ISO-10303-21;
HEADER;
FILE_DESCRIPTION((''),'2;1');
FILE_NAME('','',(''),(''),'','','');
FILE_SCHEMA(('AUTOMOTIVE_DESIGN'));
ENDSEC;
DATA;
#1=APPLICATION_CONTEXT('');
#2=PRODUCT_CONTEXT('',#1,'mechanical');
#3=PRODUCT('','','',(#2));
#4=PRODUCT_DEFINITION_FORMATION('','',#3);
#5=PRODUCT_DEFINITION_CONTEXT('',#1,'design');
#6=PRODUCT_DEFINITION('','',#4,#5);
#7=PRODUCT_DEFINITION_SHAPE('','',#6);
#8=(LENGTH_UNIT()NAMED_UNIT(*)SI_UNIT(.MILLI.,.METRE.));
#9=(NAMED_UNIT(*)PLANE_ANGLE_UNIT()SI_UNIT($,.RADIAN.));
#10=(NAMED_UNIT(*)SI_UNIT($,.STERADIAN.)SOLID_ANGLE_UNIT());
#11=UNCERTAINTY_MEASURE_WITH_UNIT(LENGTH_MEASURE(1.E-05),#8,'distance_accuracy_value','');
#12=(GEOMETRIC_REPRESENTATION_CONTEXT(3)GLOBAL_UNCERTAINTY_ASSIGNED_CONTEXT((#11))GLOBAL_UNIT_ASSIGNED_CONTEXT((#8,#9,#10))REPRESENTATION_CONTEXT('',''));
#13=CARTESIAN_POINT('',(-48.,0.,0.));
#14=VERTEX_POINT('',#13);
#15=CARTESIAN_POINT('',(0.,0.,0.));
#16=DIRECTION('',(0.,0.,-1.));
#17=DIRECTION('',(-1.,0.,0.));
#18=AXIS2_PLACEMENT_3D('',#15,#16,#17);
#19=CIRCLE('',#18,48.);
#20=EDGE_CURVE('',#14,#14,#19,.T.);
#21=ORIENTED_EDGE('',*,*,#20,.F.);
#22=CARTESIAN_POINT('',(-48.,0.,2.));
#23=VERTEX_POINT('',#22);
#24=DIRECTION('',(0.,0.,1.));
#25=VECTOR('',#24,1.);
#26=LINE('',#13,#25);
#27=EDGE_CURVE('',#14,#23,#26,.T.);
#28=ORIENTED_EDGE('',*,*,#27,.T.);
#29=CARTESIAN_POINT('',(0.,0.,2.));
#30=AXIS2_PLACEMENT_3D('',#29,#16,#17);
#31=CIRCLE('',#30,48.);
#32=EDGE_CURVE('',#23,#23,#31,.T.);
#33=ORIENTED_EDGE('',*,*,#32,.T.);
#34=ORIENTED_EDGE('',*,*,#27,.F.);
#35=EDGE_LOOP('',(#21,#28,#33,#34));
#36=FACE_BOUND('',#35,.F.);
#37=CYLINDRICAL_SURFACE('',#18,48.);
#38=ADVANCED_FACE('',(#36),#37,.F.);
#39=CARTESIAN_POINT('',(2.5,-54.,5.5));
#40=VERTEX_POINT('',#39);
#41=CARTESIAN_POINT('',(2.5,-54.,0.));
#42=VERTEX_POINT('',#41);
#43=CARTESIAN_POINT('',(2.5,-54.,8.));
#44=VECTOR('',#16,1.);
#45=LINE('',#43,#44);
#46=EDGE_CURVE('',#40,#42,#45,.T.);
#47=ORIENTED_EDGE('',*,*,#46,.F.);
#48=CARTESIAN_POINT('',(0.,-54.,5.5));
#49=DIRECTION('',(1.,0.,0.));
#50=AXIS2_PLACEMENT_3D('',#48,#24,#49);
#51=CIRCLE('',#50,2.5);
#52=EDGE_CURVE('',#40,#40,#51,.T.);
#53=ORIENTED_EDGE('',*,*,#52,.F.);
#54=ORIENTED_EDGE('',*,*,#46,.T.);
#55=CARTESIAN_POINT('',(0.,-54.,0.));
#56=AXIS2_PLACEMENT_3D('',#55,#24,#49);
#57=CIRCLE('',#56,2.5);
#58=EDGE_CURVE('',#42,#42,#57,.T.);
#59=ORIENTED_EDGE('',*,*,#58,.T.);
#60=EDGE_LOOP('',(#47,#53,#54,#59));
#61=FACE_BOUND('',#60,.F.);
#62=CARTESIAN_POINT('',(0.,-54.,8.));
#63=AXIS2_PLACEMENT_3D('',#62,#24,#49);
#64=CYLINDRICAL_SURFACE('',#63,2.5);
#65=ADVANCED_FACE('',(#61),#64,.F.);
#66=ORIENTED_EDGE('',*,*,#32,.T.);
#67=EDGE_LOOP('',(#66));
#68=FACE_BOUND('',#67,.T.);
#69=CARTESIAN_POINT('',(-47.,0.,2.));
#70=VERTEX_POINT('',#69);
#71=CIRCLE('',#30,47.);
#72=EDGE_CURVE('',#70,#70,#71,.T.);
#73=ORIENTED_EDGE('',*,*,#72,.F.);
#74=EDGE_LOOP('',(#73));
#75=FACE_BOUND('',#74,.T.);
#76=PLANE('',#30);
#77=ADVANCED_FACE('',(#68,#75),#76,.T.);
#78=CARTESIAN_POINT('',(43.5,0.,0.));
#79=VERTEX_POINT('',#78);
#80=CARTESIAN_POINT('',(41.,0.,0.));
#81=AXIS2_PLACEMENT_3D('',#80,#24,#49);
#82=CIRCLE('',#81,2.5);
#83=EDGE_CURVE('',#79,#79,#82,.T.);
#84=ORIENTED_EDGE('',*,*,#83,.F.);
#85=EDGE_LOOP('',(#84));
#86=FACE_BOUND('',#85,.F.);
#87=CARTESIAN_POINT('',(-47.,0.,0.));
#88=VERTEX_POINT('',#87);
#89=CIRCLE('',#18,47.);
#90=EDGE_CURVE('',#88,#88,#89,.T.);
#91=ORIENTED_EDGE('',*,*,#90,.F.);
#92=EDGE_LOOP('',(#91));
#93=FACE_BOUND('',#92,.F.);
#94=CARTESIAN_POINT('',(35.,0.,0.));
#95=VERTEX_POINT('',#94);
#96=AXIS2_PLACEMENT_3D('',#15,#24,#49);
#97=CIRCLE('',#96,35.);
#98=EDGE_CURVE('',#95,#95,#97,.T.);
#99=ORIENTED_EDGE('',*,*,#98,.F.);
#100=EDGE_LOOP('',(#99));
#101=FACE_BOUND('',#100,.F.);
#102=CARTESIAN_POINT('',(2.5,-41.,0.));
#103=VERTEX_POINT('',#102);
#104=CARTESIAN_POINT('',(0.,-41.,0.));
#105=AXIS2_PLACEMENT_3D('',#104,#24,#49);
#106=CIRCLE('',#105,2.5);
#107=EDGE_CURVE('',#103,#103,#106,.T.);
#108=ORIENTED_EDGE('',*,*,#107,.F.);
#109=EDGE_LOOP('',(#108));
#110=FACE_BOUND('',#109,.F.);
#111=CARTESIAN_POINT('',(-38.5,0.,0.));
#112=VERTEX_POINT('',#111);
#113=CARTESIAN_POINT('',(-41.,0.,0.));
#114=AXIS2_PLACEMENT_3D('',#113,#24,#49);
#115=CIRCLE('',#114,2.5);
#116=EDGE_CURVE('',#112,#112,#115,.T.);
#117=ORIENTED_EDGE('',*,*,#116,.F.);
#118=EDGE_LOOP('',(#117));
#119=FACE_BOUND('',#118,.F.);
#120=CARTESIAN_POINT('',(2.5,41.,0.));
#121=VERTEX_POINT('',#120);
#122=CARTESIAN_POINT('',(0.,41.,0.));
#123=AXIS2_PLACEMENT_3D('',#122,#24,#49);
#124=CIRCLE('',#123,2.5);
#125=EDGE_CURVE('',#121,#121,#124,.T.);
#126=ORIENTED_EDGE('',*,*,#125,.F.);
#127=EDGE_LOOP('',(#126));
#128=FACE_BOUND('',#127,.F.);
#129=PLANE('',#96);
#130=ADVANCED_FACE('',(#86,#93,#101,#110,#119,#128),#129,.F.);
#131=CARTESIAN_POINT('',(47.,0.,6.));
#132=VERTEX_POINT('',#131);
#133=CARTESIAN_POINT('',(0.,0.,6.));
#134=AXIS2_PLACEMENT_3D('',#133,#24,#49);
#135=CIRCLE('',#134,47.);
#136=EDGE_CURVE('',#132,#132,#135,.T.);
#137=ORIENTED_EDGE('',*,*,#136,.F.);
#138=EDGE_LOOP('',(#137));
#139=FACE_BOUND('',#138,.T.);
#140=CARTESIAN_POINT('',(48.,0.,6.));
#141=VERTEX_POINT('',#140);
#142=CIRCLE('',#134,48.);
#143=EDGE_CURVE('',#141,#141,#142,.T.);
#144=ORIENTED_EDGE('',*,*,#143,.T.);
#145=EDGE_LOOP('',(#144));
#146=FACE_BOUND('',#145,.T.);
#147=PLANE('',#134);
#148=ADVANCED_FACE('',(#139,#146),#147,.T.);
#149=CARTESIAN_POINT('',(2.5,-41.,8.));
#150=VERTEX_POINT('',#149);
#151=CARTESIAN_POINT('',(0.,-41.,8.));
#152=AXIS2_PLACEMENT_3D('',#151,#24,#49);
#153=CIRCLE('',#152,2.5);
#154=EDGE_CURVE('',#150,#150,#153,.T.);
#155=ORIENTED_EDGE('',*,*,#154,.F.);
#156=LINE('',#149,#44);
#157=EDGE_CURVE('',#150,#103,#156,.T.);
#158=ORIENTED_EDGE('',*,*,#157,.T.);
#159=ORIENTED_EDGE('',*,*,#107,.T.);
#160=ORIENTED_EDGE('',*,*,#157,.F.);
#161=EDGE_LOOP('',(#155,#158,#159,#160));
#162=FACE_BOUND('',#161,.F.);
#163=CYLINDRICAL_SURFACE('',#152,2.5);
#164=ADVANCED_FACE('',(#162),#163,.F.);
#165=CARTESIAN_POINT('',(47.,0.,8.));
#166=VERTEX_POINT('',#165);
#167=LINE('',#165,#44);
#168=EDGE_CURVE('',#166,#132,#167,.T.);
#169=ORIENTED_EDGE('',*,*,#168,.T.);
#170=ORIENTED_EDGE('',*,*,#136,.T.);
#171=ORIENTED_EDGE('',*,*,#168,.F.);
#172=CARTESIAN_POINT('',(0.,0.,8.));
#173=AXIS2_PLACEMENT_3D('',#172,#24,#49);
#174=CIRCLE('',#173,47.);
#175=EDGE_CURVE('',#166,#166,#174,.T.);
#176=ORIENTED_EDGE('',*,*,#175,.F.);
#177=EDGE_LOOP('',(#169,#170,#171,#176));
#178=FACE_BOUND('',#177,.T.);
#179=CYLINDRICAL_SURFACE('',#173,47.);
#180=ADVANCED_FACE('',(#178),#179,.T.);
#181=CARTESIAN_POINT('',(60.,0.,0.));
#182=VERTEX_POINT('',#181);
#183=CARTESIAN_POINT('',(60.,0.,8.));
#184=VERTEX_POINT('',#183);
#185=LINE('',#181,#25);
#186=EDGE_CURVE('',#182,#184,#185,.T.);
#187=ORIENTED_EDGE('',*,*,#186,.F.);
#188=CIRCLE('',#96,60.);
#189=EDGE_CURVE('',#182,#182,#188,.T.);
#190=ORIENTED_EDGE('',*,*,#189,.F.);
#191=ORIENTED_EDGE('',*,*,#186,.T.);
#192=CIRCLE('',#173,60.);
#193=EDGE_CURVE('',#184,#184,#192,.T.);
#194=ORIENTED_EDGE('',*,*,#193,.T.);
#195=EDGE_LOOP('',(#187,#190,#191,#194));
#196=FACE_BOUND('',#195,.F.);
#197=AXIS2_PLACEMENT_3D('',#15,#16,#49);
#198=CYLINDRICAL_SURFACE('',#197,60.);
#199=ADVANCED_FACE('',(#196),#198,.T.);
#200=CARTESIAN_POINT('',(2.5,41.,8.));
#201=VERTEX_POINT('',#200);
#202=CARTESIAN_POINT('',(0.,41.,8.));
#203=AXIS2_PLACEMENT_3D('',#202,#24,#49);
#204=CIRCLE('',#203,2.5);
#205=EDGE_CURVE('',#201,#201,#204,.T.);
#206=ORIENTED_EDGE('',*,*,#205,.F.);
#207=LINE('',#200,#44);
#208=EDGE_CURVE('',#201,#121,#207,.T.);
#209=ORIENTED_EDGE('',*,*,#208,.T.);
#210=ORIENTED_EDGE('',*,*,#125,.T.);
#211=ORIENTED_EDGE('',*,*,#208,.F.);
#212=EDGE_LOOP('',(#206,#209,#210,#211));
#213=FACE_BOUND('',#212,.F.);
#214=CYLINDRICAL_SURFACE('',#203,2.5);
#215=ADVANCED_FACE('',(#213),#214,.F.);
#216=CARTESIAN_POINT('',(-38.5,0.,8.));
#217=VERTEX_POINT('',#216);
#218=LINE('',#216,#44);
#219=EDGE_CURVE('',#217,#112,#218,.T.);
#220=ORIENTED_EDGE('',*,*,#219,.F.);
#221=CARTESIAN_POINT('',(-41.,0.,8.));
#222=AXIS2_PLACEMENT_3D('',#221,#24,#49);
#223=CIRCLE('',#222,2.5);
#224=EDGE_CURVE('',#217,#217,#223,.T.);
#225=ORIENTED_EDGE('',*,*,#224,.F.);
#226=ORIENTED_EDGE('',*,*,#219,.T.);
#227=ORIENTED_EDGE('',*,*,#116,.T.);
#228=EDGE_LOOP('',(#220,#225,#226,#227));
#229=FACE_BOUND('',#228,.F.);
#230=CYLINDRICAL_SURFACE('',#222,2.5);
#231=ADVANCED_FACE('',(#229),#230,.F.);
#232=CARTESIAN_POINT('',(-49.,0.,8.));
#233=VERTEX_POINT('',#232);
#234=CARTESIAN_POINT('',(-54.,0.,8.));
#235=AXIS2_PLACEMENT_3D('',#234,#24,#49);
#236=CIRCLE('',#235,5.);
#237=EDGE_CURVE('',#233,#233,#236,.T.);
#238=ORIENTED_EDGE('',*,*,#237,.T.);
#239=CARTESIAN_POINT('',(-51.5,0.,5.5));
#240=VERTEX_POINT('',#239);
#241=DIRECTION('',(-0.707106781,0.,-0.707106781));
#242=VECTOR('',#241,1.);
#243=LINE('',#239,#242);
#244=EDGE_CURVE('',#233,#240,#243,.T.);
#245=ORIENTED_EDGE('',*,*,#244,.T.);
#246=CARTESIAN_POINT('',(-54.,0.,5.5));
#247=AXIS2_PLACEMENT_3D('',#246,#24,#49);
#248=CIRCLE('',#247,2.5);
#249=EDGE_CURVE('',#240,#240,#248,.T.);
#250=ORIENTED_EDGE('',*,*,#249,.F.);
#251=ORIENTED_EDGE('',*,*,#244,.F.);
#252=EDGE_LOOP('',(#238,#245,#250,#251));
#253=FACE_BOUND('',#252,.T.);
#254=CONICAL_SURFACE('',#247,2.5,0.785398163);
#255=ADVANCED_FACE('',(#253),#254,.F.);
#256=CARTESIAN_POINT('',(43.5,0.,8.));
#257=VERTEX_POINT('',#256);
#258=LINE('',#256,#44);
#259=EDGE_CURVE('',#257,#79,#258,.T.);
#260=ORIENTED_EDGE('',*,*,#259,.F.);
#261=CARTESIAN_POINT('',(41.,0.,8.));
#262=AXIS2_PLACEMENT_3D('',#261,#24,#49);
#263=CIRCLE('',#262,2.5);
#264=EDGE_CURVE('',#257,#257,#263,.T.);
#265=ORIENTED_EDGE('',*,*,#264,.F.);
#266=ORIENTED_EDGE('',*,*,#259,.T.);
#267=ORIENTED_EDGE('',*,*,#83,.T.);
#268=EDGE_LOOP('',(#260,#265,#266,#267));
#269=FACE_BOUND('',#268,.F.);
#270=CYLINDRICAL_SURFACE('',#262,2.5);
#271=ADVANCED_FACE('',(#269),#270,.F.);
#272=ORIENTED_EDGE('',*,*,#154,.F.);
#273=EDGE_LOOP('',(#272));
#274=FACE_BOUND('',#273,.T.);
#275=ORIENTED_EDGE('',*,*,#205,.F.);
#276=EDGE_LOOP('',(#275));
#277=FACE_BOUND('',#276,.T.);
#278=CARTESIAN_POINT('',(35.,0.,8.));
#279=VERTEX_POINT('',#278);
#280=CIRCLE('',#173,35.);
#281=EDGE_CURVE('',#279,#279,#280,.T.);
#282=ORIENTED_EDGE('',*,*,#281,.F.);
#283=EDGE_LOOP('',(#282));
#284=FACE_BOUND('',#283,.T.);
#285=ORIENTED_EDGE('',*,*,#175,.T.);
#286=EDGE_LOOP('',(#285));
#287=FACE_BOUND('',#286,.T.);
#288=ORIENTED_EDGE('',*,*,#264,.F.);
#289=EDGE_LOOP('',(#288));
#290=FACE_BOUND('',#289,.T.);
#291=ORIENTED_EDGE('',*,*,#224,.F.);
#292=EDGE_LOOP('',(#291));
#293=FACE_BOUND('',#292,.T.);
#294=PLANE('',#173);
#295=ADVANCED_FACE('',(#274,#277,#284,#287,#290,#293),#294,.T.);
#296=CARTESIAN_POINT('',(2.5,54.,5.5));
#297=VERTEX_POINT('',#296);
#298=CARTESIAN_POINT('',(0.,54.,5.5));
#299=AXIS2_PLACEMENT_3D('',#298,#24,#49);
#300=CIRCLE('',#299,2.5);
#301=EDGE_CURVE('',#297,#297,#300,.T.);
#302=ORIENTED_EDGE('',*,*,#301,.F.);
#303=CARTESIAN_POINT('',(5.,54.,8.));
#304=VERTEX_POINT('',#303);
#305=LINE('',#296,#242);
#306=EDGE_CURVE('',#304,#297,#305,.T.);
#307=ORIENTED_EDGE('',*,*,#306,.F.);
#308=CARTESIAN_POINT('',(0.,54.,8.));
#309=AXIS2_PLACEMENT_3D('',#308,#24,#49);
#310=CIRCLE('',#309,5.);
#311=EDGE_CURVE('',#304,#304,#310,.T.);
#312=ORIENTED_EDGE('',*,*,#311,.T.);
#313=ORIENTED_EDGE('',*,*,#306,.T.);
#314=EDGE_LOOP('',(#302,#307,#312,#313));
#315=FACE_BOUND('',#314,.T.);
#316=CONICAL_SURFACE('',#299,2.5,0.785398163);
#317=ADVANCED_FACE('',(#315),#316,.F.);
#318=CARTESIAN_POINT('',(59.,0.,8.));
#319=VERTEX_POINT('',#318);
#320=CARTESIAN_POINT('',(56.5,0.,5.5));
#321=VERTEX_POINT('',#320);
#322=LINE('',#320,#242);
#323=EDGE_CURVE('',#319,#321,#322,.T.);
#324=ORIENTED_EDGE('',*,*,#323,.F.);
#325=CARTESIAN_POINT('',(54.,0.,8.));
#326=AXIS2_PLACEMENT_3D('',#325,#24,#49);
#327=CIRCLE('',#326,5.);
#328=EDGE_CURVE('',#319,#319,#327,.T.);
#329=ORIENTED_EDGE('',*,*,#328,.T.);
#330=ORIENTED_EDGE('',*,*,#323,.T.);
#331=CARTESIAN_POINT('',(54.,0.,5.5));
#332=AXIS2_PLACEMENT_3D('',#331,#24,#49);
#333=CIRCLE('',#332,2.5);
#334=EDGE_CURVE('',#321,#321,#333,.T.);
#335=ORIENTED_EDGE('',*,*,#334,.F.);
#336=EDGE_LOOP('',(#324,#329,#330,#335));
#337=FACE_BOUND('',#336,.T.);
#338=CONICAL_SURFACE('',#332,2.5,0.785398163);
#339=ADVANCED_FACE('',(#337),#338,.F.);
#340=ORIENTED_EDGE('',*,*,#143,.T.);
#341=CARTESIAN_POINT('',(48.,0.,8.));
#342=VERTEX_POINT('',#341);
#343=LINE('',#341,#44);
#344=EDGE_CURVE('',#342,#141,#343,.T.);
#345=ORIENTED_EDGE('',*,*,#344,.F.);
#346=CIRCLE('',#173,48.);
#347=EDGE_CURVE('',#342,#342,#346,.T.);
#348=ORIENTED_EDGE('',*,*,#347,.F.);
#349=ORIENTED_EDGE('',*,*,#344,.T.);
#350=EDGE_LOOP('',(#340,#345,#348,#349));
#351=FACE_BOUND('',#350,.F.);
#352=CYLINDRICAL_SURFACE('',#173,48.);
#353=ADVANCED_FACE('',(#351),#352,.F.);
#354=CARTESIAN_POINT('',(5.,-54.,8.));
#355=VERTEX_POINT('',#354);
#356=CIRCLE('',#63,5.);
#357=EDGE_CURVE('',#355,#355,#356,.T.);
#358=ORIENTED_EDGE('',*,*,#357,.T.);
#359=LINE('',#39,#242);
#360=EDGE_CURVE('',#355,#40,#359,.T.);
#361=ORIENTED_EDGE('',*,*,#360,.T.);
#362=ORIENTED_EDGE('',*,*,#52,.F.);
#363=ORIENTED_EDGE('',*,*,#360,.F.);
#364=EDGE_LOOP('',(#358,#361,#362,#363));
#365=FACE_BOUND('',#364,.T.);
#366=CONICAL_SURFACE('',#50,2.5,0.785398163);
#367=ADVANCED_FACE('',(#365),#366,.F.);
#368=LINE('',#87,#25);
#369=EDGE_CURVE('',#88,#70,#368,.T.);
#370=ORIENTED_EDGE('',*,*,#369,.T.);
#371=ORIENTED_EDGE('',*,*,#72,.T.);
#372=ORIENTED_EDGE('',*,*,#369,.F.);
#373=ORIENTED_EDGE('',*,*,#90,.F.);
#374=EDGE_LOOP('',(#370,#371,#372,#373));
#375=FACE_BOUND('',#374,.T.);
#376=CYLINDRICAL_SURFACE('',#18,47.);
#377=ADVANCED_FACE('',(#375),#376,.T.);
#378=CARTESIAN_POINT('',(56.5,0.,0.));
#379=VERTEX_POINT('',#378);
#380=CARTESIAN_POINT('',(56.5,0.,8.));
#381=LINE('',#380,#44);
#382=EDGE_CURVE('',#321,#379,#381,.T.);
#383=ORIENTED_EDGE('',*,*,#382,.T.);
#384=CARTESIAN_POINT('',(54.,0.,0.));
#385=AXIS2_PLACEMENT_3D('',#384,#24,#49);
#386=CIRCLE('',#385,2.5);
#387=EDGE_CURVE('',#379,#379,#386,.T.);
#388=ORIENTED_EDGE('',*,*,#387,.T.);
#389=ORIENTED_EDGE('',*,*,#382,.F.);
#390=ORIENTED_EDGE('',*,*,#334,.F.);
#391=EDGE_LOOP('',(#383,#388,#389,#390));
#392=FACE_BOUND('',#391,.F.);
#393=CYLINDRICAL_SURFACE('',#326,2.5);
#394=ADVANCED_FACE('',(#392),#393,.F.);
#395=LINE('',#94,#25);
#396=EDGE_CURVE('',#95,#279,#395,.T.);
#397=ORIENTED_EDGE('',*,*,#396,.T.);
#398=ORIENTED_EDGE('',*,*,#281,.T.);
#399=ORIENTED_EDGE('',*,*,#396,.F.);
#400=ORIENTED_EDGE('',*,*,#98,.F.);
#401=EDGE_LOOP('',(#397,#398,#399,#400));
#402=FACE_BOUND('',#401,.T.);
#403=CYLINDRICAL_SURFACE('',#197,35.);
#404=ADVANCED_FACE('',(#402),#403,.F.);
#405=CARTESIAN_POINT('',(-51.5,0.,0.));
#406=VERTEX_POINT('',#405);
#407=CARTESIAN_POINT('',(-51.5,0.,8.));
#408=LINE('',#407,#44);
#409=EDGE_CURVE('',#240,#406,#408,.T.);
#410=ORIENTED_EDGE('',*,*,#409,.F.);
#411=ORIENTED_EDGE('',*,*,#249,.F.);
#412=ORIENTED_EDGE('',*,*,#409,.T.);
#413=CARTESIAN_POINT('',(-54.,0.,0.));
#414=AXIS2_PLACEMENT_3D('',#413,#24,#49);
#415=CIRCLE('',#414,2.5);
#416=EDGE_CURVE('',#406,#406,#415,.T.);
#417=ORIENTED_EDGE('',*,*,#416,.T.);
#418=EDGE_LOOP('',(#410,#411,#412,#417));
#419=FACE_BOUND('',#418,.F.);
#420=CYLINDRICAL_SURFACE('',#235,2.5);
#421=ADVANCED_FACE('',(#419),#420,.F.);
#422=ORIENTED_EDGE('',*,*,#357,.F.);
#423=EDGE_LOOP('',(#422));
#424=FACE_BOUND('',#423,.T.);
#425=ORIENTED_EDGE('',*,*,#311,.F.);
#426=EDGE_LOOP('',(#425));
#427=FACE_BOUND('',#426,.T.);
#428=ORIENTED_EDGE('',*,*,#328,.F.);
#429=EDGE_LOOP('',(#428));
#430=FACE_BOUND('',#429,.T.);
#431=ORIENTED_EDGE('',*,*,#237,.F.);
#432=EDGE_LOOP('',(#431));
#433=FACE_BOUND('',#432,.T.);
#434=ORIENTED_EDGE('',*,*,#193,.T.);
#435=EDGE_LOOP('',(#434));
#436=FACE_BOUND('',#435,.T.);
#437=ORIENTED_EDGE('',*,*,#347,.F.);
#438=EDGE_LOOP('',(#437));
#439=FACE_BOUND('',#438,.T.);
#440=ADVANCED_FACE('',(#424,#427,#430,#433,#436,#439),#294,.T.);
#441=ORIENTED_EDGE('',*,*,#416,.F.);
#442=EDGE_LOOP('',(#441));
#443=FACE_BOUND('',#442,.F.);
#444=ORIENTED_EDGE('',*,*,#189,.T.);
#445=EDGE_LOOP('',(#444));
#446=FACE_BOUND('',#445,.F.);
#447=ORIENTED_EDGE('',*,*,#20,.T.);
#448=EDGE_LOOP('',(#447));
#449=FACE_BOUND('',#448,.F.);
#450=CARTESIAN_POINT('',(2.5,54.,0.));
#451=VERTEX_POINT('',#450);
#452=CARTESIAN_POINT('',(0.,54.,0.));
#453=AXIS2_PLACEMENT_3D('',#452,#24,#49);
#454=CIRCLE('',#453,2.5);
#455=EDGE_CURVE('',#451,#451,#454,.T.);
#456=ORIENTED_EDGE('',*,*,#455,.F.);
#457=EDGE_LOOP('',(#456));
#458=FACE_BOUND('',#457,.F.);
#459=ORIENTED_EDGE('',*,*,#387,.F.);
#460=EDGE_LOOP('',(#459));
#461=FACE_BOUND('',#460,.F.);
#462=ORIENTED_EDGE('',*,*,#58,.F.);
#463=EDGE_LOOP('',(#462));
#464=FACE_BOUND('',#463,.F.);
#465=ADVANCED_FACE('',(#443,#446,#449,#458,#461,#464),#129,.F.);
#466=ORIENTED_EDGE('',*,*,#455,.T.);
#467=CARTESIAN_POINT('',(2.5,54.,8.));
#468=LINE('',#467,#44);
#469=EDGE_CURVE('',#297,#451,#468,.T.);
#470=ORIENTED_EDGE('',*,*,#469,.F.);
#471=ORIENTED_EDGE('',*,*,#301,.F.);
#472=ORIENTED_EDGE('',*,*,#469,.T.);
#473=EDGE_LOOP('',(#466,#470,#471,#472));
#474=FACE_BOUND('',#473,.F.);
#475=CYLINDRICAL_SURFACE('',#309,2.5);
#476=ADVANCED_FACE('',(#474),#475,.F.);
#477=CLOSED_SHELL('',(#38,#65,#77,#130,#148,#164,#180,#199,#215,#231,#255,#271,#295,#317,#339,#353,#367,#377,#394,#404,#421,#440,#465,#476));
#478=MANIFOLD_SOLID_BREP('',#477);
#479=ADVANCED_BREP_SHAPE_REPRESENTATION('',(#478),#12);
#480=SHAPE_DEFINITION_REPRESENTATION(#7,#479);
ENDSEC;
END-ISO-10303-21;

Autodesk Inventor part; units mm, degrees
ref_plane "YZ Plane" through (0, 0, 0) normal (1, 0, 0) x (0, 1, 0)
ref_plane "XZ Plane" through (0, 0, 0) normal (0, 1, 0) x (-1, 0, 0)
ref_plane "XY Plane" through (0, 0, 0) normal (0, 0, 1) x (1, 0, 0)
sketch "草圖1" plane through (0, 0, 0) normal (0, 0, 1) x (1, 0, 0)
  circle A0 centre (0, 0) radius 60
  circle A1 centre (0, 0) radius 35
  dimension "d0" = 120
  dimension "d4" = 70
extrude "擠出1" add sketch "草圖1" along normal blind 8
sketch "草圖2" plane through (0, 0, 8) normal (0, 0, 1) x (1, 0, 0)
  circle A0 centre (0, 0) radius 60 projected
  circle A1 centre (0, 0) radius 35 projected
  circle A2 centre (0, 0) radius 48
  circle A3 centre (0, 0) radius 47
  dimension "d7" = 12
  dimension "d8" = 12
extrude "擠出2" cut sketch "草圖2" against normal blind 2 contours A2
sketch "草圖3" plane through (0, 0, 0) normal (0, 0, -1) x (-1, 0, 0)
  circle A0 centre (0, 0) radius 48 projected
  circle A1 centre (0, 0) radius 47 projected
  circle A2 centre (0, 0) radius 35 projected
  circle A3 centre (0, 0) radius 60 projected
extrude "擠出3" cut sketch "草圖3" against normal blind 2 contours A0
sketch "草圖4" plane through (0, 0, 8) normal (0, 0, 1) x (1, 0, 0)
  circle A0 centre (0, 0) radius 41 construction
  circle A1 centre (0, -41) radius 2.5
  circle A2 centre (0, 0) radius 41 construction
  circle A3 centre (41, 0) radius 2.5
  circle A4 centre (0, 0) radius 41 construction
  circle A5 centre (0, 41) radius 2.5
  circle A6 centre (0, 0) radius 41 construction
  circle A7 centre (-41, 0) radius 2.5
  circle A8 centre (0, 0) radius 54 construction
  circle A9 centre (0, -54) radius 2.5
  circle A10 centre (54, 0) radius 2.5
  circle A11 centre (0, 54) radius 2.5
  circle A12 centre (-54, 0) radius 2.5
  dimension "d13" = 82
  dimension "d19" = 108
  dimension "d14" = 5
  dimension "d17" = 360
  dimension "d20" = 5
  dimension "d23" = 360
extrude "擠出4" cut sketch "草圖4" against normal through all
chamfer "倒角1" distance 2.5 angle 45 4 edges at (51.5, 0, 8) (-2.5, -54, 8) (-56.5, 0, 8) (-2.5, 54, 8)
properties part number "arm bearing"
